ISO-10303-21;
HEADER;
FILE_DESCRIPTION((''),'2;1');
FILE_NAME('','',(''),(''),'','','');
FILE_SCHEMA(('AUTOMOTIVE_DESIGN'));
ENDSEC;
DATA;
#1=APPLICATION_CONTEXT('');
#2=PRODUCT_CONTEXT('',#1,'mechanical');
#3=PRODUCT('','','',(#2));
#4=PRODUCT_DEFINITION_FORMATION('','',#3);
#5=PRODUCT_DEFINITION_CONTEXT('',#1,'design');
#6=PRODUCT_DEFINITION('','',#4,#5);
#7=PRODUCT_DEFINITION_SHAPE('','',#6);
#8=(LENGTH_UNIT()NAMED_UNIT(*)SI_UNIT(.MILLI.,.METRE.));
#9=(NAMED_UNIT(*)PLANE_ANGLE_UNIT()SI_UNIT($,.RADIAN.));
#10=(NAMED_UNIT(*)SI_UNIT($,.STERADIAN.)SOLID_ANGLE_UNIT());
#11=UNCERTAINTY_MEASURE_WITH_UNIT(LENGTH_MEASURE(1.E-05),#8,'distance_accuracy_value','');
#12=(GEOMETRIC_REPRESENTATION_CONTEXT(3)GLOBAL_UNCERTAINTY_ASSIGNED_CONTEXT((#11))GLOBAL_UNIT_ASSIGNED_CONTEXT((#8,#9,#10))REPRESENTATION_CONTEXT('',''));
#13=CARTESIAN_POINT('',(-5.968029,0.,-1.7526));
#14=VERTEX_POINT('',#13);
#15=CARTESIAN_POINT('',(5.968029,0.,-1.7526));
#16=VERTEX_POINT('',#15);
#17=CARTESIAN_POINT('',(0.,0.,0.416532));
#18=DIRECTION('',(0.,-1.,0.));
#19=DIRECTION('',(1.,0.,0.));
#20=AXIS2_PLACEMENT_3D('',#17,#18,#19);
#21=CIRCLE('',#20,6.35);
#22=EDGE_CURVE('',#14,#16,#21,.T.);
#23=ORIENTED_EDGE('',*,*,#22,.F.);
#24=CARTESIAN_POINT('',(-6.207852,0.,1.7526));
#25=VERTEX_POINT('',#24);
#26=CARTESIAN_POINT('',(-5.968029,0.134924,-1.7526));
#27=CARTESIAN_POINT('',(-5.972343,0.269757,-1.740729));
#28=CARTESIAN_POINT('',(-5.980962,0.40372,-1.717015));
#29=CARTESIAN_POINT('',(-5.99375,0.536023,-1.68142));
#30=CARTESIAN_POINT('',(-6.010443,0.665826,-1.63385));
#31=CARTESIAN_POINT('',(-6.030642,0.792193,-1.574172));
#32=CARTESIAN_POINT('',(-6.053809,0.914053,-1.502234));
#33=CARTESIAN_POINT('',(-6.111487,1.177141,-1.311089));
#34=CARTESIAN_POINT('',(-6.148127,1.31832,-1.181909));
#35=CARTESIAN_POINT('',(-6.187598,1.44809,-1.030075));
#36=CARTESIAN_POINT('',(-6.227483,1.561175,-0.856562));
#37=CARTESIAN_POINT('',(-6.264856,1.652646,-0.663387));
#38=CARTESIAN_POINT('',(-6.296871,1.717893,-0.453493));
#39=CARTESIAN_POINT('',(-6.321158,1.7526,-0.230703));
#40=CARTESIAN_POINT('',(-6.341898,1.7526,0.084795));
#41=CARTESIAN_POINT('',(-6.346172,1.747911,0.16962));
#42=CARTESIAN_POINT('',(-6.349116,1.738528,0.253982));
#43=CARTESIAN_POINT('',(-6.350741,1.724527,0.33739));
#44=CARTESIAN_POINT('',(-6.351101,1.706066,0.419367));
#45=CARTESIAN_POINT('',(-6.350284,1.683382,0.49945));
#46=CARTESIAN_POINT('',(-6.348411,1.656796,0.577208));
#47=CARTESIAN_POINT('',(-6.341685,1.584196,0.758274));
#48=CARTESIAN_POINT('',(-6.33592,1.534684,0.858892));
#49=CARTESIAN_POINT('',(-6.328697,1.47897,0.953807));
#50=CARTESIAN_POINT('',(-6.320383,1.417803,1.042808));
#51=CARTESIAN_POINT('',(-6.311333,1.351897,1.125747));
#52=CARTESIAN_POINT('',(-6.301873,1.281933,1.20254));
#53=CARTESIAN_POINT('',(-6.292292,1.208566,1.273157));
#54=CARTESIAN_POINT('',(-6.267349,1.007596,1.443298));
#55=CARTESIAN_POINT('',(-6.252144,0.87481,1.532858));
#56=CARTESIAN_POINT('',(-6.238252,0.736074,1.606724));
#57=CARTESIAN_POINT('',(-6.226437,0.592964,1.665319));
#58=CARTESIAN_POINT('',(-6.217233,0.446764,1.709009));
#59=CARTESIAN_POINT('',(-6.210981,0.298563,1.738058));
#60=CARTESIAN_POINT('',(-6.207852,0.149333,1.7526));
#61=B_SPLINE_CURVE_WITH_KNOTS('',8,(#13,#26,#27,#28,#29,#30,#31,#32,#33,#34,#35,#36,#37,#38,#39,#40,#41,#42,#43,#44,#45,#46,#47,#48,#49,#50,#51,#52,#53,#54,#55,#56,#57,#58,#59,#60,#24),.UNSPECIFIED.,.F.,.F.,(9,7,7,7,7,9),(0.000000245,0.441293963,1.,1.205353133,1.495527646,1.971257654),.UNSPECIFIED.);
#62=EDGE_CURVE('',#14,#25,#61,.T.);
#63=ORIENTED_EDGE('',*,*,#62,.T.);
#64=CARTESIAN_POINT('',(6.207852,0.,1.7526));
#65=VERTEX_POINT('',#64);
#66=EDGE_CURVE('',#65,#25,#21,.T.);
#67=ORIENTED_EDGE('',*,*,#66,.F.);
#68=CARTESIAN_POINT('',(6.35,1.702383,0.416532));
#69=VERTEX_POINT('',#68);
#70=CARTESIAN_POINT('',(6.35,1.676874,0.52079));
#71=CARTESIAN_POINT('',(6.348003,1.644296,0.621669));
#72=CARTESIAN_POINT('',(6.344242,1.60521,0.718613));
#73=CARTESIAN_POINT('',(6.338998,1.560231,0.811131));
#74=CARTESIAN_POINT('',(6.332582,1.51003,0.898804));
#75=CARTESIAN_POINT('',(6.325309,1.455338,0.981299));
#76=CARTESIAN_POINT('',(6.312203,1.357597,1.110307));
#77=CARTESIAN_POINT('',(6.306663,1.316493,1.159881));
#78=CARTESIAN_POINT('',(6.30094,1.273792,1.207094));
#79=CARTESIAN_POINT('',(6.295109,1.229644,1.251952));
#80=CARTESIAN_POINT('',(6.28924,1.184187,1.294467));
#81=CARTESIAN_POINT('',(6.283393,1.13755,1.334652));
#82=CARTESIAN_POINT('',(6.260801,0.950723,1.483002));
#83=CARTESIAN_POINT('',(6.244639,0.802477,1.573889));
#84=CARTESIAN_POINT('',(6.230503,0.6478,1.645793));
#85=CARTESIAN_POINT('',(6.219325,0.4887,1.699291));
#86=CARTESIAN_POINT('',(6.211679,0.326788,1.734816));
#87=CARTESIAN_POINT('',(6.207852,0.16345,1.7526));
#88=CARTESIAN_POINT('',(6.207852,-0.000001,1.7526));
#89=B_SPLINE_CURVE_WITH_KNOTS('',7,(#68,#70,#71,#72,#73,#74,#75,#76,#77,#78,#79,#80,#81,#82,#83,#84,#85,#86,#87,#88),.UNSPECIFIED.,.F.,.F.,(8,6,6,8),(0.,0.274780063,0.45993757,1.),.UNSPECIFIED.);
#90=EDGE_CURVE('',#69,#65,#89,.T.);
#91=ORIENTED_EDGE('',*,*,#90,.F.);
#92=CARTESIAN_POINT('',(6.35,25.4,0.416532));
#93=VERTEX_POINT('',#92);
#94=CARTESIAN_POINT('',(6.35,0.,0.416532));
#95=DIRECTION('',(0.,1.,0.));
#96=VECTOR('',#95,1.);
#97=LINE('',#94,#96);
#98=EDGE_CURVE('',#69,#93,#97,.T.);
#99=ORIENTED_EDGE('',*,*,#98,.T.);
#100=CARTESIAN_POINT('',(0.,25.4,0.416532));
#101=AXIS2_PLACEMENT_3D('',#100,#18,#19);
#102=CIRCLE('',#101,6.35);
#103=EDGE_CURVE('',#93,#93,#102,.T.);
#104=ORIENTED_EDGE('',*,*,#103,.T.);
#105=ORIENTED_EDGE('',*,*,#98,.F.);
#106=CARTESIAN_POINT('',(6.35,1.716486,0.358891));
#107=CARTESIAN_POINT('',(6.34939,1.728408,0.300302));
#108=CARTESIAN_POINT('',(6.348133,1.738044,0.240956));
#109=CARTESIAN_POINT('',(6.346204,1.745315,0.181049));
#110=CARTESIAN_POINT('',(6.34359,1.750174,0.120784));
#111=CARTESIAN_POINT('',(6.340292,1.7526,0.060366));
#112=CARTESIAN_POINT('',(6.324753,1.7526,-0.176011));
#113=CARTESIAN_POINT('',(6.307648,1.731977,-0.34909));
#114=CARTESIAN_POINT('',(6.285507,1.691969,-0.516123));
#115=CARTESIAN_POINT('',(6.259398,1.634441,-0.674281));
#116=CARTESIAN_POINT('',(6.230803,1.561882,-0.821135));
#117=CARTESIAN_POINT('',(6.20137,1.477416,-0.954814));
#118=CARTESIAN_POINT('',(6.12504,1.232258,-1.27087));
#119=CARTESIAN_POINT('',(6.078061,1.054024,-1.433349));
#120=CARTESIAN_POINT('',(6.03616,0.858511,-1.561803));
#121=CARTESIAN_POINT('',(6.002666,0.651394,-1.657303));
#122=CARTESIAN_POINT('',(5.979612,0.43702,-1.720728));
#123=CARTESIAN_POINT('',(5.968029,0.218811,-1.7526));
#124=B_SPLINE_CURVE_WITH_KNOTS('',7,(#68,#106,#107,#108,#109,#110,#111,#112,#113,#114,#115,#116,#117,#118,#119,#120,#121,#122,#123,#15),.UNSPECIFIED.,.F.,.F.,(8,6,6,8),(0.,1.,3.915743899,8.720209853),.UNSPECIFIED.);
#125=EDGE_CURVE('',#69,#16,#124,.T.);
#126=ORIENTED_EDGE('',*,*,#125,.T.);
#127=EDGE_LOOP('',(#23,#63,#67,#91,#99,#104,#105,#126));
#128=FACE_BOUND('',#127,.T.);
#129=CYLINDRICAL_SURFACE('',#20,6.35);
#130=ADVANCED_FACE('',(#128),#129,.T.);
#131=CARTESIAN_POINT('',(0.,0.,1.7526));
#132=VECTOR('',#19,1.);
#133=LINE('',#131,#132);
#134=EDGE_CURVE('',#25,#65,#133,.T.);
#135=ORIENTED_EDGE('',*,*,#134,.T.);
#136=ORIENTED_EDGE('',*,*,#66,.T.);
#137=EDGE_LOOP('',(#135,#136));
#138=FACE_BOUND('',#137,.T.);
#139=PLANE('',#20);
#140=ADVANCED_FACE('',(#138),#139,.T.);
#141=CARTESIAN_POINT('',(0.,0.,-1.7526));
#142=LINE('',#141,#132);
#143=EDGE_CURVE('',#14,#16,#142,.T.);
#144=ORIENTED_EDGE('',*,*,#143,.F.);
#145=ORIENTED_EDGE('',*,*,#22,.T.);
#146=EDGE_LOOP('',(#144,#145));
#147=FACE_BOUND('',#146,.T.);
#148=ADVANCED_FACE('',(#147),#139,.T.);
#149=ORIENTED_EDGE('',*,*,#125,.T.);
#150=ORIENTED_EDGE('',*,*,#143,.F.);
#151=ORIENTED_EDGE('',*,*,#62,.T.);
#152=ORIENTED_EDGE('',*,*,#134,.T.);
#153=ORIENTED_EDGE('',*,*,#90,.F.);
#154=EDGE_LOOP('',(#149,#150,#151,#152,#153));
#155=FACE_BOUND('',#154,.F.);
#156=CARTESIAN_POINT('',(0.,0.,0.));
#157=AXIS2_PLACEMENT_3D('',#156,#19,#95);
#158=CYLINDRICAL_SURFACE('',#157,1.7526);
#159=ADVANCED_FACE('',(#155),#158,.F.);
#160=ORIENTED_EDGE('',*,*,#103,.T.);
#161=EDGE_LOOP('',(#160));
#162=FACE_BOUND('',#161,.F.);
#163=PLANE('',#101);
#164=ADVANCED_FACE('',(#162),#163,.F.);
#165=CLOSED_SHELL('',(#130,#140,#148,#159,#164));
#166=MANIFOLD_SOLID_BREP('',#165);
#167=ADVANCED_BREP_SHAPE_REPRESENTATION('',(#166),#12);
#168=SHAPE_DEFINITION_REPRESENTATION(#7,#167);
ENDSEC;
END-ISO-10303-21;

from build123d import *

# Parameters (mm, degrees)
F0_R     = 6.35
F1_DEPTH = 25.4
F2_R     = 1.7526
F3_DEPTH = 12.7


with BuildPart() as f1:
    # F0 (on Front) → F1 (new body)
    with BuildSketch(Plane.XZ):
        with Locations((0, 0.416532)):
            Circle(F0_R)
    extrude(amount=-F1_DEPTH)

    # F2 (on Right) → F3 (cut, symmetric)
    with BuildSketch(Plane.YZ):
        Circle(F2_R)
    extrude(amount=F3_DEPTH, both=True, mode=Mode.SUBTRACT)


solid = f1.part
